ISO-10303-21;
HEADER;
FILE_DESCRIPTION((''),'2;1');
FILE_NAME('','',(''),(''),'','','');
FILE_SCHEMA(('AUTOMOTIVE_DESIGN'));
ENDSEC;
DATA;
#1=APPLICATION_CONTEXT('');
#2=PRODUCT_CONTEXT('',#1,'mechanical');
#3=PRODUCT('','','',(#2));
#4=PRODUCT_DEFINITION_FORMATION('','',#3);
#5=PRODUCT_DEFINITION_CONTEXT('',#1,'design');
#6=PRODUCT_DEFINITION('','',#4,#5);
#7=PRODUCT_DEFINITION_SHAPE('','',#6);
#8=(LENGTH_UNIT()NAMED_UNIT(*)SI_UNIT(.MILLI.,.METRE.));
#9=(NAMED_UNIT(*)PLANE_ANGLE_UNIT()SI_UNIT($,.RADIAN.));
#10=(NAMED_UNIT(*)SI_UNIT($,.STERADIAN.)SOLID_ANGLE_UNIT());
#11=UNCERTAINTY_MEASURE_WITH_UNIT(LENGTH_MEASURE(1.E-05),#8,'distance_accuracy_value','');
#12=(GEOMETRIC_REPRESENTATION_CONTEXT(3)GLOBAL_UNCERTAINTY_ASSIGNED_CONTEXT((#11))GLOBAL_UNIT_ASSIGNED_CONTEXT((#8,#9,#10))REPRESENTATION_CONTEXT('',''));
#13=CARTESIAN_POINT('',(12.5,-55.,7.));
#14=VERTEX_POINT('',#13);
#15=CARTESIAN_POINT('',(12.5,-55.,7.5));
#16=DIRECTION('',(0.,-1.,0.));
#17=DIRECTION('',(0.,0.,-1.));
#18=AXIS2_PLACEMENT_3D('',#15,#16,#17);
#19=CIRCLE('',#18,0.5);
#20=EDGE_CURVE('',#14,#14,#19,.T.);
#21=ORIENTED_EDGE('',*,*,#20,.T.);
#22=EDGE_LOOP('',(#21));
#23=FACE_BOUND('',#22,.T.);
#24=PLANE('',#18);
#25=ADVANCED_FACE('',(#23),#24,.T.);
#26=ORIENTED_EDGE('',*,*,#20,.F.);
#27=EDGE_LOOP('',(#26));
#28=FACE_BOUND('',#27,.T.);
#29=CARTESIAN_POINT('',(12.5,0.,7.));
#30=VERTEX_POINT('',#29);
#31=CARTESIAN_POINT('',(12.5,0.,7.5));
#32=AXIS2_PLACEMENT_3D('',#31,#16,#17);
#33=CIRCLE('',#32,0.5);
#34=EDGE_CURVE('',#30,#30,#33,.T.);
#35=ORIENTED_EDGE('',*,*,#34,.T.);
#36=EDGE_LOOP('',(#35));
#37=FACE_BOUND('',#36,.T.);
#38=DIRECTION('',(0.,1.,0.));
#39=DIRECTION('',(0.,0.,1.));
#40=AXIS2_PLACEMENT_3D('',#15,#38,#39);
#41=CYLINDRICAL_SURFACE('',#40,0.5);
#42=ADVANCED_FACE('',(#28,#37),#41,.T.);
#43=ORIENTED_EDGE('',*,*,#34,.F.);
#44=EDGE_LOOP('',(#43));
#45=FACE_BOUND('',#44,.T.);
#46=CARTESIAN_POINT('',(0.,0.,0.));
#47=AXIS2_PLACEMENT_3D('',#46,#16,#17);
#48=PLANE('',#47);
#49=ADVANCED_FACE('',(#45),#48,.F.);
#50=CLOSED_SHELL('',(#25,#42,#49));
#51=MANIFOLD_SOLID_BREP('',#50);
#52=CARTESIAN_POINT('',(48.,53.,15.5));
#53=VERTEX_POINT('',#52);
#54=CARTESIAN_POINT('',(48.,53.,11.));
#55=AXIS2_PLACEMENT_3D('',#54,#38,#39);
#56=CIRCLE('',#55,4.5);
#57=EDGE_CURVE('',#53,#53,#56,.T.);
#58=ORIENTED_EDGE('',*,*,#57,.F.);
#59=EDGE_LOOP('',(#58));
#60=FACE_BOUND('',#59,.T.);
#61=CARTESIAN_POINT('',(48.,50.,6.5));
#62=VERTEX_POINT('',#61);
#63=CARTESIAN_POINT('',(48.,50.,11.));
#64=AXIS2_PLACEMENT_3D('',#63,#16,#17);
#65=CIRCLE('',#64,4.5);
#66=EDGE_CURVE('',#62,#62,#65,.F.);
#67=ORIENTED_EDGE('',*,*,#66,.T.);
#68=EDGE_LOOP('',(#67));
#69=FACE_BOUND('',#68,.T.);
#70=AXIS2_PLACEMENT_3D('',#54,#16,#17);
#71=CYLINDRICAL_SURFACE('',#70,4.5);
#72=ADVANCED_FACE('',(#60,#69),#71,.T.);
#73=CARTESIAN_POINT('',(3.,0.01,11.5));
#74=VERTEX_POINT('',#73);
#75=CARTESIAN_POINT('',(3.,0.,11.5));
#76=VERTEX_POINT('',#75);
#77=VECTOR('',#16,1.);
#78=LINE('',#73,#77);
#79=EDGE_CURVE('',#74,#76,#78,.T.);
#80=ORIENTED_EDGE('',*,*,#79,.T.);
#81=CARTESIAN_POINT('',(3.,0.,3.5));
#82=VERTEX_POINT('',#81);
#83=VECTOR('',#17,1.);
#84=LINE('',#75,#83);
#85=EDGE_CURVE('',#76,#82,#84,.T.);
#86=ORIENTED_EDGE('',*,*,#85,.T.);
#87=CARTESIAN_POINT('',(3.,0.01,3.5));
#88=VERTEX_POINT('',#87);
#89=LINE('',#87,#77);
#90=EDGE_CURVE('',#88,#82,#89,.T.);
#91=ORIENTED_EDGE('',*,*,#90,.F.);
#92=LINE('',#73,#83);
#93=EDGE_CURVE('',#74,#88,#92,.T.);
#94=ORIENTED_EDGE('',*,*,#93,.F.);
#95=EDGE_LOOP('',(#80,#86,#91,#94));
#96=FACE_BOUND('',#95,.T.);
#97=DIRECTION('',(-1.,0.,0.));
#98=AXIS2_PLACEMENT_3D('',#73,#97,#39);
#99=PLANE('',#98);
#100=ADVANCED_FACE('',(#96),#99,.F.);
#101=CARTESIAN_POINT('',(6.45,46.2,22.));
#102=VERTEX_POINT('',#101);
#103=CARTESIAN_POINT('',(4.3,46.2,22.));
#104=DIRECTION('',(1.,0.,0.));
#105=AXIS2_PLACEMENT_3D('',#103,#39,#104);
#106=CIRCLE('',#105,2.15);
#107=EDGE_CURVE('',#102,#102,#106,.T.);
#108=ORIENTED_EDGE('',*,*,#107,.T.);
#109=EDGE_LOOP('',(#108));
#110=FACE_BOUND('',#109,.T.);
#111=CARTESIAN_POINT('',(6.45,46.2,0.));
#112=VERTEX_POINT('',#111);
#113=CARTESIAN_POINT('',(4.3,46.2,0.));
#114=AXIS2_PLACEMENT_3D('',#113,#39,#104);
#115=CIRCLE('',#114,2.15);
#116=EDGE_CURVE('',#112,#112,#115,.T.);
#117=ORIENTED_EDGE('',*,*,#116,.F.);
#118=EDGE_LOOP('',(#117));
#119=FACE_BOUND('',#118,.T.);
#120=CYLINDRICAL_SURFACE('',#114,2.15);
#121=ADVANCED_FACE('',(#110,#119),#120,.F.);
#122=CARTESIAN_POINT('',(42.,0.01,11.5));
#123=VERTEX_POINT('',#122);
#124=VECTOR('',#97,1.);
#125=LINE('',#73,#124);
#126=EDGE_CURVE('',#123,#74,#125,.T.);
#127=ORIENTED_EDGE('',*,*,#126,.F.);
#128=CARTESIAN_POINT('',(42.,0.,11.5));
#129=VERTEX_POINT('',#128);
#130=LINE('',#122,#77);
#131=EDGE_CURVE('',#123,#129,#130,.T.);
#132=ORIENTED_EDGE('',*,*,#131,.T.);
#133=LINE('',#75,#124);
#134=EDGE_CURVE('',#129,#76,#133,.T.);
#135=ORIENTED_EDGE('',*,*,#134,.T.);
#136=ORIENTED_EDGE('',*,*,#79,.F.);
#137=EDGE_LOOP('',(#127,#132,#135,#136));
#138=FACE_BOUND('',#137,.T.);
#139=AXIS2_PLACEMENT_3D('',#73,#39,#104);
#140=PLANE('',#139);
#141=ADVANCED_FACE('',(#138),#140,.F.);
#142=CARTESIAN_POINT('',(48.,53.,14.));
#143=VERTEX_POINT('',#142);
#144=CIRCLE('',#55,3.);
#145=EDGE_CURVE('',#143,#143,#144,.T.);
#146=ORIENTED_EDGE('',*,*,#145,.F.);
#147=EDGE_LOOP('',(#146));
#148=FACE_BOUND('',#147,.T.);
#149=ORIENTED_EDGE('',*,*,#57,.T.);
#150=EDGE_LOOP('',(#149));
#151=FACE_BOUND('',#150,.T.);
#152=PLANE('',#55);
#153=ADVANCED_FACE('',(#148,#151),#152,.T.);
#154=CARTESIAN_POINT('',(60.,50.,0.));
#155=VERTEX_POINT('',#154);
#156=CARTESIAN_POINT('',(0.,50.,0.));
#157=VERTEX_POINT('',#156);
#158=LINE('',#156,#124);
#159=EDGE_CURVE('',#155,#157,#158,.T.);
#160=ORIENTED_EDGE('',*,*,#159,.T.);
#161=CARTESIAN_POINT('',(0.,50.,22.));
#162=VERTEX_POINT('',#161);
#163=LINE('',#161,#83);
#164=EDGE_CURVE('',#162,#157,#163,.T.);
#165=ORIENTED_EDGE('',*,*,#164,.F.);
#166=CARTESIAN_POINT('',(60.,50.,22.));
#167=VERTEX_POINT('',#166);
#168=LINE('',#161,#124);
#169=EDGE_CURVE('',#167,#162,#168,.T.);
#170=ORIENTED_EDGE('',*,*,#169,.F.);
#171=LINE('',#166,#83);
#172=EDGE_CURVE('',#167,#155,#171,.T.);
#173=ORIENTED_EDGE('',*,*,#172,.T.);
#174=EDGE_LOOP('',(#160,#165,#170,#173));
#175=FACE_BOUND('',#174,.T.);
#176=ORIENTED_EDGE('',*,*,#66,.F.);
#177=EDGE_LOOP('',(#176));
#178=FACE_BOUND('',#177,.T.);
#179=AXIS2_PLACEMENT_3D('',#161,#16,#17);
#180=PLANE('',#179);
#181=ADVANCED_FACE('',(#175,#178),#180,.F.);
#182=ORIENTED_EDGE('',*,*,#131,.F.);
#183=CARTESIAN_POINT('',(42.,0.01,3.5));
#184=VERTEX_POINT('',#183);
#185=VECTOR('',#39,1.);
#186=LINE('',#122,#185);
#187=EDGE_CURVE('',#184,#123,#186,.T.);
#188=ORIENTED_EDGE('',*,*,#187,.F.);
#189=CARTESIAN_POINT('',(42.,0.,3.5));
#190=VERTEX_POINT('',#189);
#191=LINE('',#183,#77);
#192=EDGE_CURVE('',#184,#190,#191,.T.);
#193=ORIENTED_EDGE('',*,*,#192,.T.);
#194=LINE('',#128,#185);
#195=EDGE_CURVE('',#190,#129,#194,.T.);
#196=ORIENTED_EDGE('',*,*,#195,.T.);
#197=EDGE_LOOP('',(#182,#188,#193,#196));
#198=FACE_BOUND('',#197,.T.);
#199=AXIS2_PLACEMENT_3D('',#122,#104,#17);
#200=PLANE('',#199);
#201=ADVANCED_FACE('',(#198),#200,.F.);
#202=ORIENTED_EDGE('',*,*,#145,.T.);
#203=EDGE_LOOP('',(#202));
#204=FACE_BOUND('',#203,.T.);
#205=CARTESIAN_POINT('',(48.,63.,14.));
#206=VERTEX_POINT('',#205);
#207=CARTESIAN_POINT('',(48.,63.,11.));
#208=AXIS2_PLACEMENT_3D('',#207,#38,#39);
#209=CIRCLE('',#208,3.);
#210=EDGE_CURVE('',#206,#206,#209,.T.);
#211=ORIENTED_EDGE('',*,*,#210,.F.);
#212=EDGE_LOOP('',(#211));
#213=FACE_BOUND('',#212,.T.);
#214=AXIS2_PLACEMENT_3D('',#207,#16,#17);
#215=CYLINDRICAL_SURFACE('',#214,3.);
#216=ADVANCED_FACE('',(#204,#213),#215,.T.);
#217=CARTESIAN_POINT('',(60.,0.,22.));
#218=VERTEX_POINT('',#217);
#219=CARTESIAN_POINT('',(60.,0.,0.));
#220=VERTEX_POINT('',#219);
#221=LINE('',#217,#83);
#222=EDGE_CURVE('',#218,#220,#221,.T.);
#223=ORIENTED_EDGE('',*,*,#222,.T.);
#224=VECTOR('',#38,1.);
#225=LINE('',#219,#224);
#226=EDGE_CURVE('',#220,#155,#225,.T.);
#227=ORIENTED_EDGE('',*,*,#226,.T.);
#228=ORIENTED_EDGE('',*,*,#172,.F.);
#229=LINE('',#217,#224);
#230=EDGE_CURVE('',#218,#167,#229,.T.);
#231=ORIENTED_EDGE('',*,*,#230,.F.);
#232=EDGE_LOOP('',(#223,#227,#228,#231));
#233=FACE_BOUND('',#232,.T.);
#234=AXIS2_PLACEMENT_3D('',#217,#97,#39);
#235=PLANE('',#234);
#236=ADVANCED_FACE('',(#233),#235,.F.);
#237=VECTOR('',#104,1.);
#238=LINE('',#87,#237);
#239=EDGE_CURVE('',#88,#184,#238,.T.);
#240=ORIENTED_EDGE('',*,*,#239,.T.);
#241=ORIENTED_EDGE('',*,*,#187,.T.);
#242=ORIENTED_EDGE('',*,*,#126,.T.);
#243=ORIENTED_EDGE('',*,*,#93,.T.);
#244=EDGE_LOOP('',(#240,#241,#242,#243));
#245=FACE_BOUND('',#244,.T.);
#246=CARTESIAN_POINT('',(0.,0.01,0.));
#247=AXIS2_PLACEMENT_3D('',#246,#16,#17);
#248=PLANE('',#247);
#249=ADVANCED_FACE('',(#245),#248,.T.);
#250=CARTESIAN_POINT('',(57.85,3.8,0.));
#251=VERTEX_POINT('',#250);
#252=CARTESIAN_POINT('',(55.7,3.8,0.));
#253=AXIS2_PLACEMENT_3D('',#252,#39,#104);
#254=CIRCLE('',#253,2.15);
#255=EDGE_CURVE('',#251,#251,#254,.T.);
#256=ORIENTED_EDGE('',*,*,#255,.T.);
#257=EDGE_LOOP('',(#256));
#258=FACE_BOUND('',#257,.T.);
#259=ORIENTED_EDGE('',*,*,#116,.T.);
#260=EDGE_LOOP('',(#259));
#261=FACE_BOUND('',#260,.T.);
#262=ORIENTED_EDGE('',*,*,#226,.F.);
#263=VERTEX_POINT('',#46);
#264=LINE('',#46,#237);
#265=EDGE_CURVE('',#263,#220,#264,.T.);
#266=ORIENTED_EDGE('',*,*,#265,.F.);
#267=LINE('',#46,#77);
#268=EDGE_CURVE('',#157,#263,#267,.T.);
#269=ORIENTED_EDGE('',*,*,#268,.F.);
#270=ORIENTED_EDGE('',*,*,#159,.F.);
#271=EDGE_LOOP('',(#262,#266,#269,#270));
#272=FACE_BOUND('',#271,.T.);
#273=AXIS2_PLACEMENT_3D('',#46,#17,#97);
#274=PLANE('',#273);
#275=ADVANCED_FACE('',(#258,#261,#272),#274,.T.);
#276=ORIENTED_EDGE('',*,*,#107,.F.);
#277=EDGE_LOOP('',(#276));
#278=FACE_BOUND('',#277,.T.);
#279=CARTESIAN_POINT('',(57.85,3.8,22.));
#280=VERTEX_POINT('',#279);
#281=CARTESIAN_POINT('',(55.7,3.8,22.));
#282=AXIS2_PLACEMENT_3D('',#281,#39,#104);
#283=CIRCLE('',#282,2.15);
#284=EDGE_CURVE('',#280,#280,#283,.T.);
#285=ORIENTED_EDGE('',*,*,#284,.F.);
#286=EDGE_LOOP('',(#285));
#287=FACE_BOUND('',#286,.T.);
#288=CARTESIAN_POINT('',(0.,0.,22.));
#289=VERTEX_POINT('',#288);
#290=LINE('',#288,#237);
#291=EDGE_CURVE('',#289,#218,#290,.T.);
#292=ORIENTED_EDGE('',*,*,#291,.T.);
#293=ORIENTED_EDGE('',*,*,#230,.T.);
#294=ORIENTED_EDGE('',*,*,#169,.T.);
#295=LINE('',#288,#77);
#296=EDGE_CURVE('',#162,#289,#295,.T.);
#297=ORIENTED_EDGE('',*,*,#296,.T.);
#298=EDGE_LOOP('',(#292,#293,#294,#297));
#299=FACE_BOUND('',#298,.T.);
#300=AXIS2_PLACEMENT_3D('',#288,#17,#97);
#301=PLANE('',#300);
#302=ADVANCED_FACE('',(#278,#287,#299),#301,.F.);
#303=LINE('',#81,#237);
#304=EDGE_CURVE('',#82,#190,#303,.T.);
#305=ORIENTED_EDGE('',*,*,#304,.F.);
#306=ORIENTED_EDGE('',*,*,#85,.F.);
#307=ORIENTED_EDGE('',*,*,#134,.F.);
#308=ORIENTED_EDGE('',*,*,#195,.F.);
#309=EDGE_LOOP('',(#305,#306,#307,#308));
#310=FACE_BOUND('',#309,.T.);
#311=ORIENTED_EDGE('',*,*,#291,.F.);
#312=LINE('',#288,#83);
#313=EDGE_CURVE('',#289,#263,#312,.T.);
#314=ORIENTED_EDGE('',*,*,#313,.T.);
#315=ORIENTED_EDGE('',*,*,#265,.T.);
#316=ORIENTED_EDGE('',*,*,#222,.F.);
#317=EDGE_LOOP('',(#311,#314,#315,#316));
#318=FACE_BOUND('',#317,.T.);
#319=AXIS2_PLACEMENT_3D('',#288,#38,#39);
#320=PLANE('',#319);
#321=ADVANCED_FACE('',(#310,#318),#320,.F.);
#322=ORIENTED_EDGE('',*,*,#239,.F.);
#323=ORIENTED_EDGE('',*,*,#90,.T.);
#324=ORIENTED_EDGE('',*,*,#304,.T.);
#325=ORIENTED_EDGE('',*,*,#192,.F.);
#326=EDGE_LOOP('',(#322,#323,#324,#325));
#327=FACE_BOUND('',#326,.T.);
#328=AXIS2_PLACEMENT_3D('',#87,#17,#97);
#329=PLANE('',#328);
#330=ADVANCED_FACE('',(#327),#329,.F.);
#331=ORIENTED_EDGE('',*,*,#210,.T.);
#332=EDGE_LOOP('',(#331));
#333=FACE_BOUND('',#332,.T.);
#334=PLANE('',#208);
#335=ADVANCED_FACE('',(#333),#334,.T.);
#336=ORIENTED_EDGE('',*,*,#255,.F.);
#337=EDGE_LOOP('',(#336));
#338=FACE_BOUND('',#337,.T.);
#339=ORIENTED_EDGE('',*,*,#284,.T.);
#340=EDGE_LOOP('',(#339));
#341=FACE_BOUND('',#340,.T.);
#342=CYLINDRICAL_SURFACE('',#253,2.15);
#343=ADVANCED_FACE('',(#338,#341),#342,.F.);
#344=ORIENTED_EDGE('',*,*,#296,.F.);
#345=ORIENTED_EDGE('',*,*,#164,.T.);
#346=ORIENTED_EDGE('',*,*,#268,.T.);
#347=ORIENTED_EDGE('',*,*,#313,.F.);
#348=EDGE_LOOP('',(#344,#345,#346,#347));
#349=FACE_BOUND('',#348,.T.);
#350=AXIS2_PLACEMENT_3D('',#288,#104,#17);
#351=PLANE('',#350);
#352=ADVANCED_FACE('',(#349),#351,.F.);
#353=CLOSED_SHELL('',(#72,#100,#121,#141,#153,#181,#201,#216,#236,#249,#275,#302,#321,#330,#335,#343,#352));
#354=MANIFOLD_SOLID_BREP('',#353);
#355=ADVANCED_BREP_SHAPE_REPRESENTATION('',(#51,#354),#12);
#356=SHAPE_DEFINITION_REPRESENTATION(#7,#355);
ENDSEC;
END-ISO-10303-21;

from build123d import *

# Parameters (mm, degrees)
SKETCH_1_W          = 60
SKETCH_1_H          = 50
EXTRUDE_1_DEPTH     = 22
SKETCH_2_R          = 4.5
EXTRUDE_2_DEPTH     = 3
SKETCH_3_R          = 3
EXTRUDE_3_DEPTH     = 10
SKETCH_4_R          = 0.5
EXTRUDE_4_DEPTH     = 55
SKETCH_5_W          = 39
SKETCH_5_H          = 8
CUT_EXTRUDE_1_DEPTH = 0.01
SKETCH_6_R          = 2.15
CUT_EXTRUDE_2_DEPTH = 90.738509014


with BuildPart() as part:
    # 草图1 → 凸台-拉伸1 (new body)
    with BuildSketch(Plane.XY):
        with Locations((30, 25)):
            Rectangle(SKETCH_1_W, SKETCH_1_H)
    extrude(amount=EXTRUDE_1_DEPTH)

    # 草图2 → 凸台-拉伸2 (add)
    with BuildSketch(Plane(origin=(0, 50, 0), x_dir=(1, 0, 0), z_dir=(0, 1, 0))):
        with Locations(Location((48, -11, 0), (0, 0, 90))):
            Circle(SKETCH_2_R)
    extrude(amount=EXTRUDE_2_DEPTH)

    # 草图3 → 凸台-拉伸3 (add)
    with BuildSketch(Plane(origin=(0, 53, 0), x_dir=(1, 0, 0), z_dir=(0, 1, 0))):
        with Locations(Location((48, -11, 0), (0, 0, 270))):
            Circle(SKETCH_3_R)
    extrude(amount=EXTRUDE_3_DEPTH)

    # 草图4 → 凸台-拉伸4 (add)
    with BuildSketch(Plane.XZ):
        with Locations(Location((12.5, 7.5, 0), (0, 0, 90))):
            Circle(SKETCH_4_R)
    extrude(amount=EXTRUDE_4_DEPTH)

    # 草图5 → 切除-拉伸1 (cut)
    with BuildSketch(Plane.XZ):
        with Locations((22.5, 7.5)):
            Rectangle(SKETCH_5_W, SKETCH_5_H)
    extrude(amount=-CUT_EXTRUDE_1_DEPTH, mode=Mode.SUBTRACT)


with BuildPart() as cut_extrude_1_piece_1:
    # of the separate pieces the step leaves, piece 1, a body of its own (cut_extrude_1_pieces)
    add(part.part.solids().sort_by_distance((0, 0, 0))[0])

    # 草图6 → 切除-拉伸2 (cut, through all)
    with BuildSketch(Plane.XY.offset(22)):
        with Locations((55.7, 3.8)):
            Circle(SKETCH_6_R)
        with Locations((4.3, 46.2)):
            Circle(SKETCH_6_R)
    extrude(amount=-CUT_EXTRUDE_2_DEPTH, mode=Mode.SUBTRACT)


with BuildPart() as cut_extrude_1_piece_2:
    # of the separate pieces the step leaves, piece 2, a body of its own (cut_extrude_1_pieces)
    add(part.part.solids().sort_by_distance((12.5, 0, 8))[0])


solid = Compound([cut_extrude_1_piece_1.part, cut_extrude_1_piece_2.part])
